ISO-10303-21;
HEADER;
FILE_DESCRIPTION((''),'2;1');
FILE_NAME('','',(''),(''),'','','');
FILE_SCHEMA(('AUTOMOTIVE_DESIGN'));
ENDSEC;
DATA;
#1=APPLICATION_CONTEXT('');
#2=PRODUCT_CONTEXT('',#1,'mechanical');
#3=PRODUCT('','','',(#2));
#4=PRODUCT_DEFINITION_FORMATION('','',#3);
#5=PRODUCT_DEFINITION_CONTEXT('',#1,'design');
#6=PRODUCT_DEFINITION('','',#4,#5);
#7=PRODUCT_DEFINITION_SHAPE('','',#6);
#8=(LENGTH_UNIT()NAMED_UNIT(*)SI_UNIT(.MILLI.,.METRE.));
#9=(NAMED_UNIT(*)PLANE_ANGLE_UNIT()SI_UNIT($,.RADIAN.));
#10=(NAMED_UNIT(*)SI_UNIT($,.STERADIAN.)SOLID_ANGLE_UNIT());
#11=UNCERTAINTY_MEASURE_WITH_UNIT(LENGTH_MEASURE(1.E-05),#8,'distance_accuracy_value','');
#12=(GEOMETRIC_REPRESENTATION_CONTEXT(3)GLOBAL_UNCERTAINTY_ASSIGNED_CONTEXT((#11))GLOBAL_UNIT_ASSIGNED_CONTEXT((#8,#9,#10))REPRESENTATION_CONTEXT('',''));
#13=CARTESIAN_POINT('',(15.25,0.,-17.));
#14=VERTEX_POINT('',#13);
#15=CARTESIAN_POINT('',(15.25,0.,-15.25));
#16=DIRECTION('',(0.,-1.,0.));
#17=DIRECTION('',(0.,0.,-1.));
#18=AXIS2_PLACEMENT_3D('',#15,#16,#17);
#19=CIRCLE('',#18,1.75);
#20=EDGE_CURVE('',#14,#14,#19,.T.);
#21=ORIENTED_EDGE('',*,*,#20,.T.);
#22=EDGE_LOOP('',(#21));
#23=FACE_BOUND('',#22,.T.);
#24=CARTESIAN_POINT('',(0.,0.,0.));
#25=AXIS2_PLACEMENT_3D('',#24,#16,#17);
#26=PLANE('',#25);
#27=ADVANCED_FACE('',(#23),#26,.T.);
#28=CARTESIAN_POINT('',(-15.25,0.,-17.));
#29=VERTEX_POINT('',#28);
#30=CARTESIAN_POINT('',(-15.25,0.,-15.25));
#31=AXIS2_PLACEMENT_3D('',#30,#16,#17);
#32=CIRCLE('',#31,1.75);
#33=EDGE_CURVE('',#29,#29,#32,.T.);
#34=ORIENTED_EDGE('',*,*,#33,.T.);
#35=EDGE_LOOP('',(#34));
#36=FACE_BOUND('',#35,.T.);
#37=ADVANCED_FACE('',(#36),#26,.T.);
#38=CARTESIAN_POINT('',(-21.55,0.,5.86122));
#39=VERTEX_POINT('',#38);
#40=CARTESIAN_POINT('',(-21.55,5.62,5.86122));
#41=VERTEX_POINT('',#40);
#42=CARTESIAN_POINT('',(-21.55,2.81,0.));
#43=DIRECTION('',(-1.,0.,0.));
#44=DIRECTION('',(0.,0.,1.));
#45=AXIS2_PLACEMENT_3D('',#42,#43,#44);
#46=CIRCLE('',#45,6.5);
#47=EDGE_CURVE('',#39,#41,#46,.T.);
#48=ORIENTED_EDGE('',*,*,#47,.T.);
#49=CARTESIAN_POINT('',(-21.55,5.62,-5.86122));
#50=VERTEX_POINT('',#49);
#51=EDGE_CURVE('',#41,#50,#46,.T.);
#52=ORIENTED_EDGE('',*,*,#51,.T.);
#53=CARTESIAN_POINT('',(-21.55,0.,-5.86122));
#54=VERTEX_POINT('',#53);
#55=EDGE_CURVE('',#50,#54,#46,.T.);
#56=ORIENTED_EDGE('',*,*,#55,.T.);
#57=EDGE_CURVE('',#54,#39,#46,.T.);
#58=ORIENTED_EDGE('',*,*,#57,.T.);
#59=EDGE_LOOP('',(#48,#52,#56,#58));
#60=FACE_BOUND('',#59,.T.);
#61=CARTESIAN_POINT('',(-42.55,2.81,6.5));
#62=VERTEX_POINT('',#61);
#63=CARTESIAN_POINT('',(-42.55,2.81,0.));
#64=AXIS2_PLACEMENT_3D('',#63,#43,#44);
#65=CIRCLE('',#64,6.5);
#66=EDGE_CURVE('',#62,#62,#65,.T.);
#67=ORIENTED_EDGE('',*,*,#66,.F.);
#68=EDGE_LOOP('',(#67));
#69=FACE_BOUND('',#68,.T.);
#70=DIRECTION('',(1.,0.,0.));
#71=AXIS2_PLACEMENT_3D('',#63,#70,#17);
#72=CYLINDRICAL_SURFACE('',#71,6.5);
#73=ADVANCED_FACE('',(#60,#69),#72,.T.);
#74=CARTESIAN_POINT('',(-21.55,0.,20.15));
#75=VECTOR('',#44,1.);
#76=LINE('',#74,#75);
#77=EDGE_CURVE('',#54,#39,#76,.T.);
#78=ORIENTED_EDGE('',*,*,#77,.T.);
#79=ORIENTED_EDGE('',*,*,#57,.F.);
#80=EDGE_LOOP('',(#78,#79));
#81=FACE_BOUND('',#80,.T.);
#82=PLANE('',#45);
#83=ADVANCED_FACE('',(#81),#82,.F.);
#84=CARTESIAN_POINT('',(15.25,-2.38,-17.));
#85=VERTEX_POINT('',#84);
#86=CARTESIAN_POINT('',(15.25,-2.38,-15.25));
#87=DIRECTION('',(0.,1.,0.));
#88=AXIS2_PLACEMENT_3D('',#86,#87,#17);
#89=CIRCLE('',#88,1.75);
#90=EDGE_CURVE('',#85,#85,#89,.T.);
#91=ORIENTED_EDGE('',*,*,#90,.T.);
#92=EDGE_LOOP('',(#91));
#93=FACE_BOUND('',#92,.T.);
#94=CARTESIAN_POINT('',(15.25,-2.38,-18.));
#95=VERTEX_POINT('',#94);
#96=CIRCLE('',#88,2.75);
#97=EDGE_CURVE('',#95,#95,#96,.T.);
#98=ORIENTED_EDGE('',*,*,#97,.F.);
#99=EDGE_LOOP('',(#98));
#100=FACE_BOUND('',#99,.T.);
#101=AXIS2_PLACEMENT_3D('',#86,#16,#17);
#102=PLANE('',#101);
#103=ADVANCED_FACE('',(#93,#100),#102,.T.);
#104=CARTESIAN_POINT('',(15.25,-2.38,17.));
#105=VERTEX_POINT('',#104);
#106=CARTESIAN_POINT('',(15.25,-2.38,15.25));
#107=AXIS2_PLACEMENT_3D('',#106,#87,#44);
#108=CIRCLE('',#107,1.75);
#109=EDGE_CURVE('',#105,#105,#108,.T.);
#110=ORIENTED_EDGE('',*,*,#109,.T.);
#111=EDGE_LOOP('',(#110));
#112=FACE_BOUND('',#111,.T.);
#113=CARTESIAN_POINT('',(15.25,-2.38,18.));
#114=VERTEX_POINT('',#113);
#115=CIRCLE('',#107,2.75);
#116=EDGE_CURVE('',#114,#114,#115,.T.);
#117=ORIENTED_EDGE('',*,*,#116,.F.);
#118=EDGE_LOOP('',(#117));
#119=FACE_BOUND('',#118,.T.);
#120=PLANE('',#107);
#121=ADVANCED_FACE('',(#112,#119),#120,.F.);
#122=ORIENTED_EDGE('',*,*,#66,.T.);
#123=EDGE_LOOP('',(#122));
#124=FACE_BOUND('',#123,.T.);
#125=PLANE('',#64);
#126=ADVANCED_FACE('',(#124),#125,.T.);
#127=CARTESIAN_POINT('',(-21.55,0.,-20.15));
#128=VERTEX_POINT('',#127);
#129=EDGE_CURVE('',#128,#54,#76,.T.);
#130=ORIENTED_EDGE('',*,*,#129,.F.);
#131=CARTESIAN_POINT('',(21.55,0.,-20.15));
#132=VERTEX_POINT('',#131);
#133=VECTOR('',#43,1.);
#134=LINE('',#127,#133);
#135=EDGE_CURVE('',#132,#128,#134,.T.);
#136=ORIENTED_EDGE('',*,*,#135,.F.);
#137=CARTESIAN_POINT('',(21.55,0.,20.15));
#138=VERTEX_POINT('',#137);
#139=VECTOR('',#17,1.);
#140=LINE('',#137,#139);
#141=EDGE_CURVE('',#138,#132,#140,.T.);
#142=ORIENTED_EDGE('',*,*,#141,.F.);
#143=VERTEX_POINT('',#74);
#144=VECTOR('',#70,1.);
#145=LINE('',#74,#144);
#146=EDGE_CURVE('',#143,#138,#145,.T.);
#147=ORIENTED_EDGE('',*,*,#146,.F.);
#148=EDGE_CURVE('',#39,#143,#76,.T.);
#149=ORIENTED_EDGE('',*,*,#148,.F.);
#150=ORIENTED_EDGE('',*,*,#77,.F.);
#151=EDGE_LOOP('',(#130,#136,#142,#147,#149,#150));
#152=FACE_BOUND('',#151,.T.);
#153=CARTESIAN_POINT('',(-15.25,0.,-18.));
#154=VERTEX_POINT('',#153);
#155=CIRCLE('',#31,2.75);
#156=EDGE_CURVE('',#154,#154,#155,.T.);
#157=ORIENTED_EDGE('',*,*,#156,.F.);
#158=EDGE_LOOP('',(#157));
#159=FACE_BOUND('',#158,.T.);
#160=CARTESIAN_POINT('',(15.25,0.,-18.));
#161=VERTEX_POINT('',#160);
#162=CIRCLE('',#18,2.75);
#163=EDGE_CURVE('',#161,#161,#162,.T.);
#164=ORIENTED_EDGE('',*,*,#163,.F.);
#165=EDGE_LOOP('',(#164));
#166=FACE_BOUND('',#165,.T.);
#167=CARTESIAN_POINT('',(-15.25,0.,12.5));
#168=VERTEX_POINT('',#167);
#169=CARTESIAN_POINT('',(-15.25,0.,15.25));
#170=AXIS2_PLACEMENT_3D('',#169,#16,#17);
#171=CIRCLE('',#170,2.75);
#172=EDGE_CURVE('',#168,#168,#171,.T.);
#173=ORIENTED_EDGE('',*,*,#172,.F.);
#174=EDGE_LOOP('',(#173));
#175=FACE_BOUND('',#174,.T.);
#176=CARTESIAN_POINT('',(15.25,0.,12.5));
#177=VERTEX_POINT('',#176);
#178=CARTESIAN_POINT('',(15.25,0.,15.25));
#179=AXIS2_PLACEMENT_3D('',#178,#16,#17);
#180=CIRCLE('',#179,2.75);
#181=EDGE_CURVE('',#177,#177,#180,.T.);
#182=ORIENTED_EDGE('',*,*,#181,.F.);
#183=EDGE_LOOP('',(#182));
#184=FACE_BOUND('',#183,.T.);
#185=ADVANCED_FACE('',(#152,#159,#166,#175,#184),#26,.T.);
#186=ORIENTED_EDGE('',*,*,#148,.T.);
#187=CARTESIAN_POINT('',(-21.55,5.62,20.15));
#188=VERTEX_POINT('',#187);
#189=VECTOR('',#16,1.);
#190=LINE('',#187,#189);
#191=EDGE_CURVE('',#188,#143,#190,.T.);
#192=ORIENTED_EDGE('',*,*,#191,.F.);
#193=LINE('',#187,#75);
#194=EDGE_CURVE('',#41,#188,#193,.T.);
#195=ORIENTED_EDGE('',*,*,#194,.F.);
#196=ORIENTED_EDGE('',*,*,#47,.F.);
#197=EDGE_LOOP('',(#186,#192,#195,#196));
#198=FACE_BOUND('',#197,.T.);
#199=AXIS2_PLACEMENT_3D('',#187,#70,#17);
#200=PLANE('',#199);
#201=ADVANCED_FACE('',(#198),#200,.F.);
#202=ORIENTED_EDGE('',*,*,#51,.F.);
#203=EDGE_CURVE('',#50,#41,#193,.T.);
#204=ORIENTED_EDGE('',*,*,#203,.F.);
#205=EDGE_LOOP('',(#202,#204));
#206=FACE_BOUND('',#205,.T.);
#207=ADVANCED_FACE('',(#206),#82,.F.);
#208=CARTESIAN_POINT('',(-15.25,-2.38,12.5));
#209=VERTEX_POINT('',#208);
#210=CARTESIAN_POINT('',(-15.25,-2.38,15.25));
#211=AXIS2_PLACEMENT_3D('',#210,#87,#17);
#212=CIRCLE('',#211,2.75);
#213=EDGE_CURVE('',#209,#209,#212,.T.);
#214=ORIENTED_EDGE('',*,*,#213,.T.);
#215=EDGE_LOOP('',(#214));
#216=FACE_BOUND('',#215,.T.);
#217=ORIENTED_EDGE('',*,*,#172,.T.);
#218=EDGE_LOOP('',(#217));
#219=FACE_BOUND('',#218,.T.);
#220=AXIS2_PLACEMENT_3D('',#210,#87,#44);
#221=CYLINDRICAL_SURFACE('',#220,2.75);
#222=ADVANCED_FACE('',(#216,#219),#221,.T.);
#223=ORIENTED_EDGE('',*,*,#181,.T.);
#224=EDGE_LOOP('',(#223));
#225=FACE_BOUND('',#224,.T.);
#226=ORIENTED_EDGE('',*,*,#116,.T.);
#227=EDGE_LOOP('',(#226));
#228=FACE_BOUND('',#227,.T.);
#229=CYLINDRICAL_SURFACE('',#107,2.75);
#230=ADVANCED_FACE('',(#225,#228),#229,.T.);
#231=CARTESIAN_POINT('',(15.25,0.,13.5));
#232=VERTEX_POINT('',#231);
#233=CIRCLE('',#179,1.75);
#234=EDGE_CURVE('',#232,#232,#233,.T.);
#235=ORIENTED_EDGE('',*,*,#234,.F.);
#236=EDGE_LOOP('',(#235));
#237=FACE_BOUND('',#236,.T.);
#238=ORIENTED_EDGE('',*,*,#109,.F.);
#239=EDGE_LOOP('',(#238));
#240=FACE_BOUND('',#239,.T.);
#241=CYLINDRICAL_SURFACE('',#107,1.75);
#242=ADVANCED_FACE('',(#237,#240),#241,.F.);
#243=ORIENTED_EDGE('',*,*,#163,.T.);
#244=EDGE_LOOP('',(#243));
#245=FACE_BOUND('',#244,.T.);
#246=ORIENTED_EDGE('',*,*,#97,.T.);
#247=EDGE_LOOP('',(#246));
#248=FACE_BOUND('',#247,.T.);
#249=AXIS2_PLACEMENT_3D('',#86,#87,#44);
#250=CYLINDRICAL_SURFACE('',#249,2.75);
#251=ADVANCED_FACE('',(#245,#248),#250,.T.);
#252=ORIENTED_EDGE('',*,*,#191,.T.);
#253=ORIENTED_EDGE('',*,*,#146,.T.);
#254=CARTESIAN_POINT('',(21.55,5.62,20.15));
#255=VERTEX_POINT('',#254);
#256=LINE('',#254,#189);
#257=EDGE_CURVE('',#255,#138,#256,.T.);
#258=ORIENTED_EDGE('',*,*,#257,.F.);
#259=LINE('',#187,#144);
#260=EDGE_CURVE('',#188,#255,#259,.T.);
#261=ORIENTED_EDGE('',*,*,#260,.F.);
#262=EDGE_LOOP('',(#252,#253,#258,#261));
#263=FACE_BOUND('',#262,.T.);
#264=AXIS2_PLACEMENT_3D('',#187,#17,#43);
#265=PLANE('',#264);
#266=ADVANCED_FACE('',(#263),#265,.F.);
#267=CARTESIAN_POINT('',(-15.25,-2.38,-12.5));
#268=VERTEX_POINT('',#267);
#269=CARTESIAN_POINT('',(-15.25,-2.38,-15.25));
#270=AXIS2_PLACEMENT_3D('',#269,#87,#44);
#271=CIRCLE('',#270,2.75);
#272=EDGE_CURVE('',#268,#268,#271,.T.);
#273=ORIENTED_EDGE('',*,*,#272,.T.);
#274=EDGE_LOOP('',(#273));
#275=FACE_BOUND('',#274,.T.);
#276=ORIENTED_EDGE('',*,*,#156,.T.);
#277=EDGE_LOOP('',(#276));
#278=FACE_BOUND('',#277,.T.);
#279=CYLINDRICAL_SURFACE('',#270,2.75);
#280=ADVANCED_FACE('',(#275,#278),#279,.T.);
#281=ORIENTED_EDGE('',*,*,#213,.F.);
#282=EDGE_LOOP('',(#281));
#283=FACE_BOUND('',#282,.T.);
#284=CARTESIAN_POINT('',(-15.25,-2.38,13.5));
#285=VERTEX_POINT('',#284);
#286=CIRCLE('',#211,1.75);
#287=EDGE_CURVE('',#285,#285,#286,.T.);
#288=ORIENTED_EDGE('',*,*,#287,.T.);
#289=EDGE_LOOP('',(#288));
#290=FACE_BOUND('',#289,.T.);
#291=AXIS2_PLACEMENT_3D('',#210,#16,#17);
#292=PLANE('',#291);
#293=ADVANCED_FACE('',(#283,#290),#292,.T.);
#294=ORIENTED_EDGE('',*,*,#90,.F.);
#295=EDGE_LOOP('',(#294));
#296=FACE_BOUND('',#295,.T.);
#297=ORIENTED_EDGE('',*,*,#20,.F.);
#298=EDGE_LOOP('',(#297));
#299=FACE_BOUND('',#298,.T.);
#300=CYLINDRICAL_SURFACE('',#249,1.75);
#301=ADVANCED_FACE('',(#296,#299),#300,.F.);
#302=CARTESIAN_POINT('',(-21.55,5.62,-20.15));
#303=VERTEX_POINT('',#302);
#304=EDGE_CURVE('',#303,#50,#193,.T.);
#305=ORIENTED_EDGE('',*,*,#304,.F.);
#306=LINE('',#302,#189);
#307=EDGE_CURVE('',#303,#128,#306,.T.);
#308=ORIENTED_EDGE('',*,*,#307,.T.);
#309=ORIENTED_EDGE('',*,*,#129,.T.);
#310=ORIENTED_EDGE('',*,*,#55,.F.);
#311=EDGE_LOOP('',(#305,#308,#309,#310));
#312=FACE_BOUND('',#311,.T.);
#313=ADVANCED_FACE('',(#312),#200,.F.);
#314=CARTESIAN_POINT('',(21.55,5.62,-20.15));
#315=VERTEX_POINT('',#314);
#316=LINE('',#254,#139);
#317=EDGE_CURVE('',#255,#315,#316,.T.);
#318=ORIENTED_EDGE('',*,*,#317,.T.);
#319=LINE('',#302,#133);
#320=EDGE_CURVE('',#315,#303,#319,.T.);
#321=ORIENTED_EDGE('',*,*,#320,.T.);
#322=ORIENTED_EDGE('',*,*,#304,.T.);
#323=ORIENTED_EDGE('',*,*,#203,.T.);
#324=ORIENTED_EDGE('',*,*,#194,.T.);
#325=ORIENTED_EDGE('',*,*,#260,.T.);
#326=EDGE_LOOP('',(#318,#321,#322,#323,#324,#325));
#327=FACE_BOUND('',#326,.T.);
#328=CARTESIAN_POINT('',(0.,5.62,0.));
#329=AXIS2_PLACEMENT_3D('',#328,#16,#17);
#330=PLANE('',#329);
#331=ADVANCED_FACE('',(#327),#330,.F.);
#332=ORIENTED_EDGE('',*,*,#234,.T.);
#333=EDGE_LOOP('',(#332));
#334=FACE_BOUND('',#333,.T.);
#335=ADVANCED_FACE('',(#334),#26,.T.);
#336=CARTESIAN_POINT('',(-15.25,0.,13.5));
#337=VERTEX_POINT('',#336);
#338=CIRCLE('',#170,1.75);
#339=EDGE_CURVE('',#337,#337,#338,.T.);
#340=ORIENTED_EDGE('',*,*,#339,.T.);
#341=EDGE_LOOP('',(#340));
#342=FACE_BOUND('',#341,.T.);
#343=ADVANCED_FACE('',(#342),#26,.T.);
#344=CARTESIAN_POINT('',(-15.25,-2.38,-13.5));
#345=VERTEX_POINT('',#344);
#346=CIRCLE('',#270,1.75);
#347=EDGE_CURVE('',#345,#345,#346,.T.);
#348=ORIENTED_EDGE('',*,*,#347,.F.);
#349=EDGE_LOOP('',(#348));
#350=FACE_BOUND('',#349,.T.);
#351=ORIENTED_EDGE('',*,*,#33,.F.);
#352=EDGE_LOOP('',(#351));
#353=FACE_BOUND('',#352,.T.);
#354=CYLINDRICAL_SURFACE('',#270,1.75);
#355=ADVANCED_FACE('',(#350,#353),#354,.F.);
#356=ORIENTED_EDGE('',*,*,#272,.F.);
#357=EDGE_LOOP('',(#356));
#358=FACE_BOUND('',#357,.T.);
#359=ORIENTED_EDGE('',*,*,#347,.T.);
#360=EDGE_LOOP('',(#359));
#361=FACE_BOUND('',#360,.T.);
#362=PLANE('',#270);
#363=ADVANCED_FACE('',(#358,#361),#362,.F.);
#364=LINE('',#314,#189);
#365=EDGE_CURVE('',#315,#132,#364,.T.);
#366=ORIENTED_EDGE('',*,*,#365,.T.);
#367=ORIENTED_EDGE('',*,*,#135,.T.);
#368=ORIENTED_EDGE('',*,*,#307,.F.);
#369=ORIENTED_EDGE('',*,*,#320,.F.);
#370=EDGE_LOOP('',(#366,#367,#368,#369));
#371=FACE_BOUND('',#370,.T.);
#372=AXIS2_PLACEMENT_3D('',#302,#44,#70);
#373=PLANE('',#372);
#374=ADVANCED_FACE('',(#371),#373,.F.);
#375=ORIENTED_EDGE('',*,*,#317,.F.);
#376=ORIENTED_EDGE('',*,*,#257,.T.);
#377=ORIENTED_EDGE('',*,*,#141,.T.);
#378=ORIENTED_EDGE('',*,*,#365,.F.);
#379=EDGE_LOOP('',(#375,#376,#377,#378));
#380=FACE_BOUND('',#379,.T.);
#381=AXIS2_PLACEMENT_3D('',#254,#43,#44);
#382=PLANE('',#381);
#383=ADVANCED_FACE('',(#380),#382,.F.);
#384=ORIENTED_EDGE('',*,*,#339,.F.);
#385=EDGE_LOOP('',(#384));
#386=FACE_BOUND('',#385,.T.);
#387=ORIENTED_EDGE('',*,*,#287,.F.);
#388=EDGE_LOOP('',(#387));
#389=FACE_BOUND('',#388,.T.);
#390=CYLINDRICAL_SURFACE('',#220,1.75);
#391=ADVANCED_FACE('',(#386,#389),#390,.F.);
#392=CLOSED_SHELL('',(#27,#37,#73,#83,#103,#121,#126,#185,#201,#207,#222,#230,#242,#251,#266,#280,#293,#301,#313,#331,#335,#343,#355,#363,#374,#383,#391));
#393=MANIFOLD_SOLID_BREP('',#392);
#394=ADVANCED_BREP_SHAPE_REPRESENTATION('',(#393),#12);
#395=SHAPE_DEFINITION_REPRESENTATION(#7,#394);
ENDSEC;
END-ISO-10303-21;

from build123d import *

# Parameters (mm, degrees)
SKETCH1_W           = 43.1
SKETCH1_H           = 40.3
BOSS_EXTRUDE1_DEPTH = 5.62
SKETCH2_R           = 2.75
SKETCH2_R_2         = 1.75
BOSS_EXTRUDE2_DEPTH = 8
SKETCH3_R           = 6.5
BOSS_EXTRUDE3_DEPTH = 21


with BuildPart() as part:
    # Sketch1 → Boss-Extrude1 (new body)
    with BuildSketch(Plane(origin=(0, 0, 0), x_dir=(1, 0, 0), z_dir=(0, 1, 0))):
        Rectangle(SKETCH1_W, SKETCH1_H)
    extrude(amount=BOSS_EXTRUDE1_DEPTH)

    # Sketch2 → Boss-Extrude2 (add)
    with BuildSketch(Plane(origin=(0, 5.62, 0), x_dir=(1, 0, 0), z_dir=(0, 1, 0))):
        with Locations((-15.25, 15.25)):
            Circle(SKETCH2_R)
        with Locations((-15.25, 15.25)):
            Circle(SKETCH2_R_2, mode=Mode.SUBTRACT)
        with Locations((15.25, 15.25)):
            Circle(SKETCH2_R)
        with Locations((15.25, 15.25)):
            Circle(SKETCH2_R_2, mode=Mode.SUBTRACT)
        with Locations((15.25, -15.25)):
            Circle(SKETCH2_R)
        with Locations((15.25, -15.25)):
            Circle(SKETCH2_R_2, mode=Mode.SUBTRACT)
        with Locations((-15.25, -15.25)):
            Circle(SKETCH2_R)
        with Locations((-15.25, -15.25)):
            Circle(SKETCH2_R_2, mode=Mode.SUBTRACT)
    extrude(amount=-BOSS_EXTRUDE2_DEPTH)

    # Sketch3 → Boss-Extrude3 (add)
    with BuildSketch(Plane.ZY.offset(21.55)):
        with Locations((0, 2.81)):
            Circle(SKETCH3_R)
    extrude(amount=BOSS_EXTRUDE3_DEPTH)


solid = part.part
